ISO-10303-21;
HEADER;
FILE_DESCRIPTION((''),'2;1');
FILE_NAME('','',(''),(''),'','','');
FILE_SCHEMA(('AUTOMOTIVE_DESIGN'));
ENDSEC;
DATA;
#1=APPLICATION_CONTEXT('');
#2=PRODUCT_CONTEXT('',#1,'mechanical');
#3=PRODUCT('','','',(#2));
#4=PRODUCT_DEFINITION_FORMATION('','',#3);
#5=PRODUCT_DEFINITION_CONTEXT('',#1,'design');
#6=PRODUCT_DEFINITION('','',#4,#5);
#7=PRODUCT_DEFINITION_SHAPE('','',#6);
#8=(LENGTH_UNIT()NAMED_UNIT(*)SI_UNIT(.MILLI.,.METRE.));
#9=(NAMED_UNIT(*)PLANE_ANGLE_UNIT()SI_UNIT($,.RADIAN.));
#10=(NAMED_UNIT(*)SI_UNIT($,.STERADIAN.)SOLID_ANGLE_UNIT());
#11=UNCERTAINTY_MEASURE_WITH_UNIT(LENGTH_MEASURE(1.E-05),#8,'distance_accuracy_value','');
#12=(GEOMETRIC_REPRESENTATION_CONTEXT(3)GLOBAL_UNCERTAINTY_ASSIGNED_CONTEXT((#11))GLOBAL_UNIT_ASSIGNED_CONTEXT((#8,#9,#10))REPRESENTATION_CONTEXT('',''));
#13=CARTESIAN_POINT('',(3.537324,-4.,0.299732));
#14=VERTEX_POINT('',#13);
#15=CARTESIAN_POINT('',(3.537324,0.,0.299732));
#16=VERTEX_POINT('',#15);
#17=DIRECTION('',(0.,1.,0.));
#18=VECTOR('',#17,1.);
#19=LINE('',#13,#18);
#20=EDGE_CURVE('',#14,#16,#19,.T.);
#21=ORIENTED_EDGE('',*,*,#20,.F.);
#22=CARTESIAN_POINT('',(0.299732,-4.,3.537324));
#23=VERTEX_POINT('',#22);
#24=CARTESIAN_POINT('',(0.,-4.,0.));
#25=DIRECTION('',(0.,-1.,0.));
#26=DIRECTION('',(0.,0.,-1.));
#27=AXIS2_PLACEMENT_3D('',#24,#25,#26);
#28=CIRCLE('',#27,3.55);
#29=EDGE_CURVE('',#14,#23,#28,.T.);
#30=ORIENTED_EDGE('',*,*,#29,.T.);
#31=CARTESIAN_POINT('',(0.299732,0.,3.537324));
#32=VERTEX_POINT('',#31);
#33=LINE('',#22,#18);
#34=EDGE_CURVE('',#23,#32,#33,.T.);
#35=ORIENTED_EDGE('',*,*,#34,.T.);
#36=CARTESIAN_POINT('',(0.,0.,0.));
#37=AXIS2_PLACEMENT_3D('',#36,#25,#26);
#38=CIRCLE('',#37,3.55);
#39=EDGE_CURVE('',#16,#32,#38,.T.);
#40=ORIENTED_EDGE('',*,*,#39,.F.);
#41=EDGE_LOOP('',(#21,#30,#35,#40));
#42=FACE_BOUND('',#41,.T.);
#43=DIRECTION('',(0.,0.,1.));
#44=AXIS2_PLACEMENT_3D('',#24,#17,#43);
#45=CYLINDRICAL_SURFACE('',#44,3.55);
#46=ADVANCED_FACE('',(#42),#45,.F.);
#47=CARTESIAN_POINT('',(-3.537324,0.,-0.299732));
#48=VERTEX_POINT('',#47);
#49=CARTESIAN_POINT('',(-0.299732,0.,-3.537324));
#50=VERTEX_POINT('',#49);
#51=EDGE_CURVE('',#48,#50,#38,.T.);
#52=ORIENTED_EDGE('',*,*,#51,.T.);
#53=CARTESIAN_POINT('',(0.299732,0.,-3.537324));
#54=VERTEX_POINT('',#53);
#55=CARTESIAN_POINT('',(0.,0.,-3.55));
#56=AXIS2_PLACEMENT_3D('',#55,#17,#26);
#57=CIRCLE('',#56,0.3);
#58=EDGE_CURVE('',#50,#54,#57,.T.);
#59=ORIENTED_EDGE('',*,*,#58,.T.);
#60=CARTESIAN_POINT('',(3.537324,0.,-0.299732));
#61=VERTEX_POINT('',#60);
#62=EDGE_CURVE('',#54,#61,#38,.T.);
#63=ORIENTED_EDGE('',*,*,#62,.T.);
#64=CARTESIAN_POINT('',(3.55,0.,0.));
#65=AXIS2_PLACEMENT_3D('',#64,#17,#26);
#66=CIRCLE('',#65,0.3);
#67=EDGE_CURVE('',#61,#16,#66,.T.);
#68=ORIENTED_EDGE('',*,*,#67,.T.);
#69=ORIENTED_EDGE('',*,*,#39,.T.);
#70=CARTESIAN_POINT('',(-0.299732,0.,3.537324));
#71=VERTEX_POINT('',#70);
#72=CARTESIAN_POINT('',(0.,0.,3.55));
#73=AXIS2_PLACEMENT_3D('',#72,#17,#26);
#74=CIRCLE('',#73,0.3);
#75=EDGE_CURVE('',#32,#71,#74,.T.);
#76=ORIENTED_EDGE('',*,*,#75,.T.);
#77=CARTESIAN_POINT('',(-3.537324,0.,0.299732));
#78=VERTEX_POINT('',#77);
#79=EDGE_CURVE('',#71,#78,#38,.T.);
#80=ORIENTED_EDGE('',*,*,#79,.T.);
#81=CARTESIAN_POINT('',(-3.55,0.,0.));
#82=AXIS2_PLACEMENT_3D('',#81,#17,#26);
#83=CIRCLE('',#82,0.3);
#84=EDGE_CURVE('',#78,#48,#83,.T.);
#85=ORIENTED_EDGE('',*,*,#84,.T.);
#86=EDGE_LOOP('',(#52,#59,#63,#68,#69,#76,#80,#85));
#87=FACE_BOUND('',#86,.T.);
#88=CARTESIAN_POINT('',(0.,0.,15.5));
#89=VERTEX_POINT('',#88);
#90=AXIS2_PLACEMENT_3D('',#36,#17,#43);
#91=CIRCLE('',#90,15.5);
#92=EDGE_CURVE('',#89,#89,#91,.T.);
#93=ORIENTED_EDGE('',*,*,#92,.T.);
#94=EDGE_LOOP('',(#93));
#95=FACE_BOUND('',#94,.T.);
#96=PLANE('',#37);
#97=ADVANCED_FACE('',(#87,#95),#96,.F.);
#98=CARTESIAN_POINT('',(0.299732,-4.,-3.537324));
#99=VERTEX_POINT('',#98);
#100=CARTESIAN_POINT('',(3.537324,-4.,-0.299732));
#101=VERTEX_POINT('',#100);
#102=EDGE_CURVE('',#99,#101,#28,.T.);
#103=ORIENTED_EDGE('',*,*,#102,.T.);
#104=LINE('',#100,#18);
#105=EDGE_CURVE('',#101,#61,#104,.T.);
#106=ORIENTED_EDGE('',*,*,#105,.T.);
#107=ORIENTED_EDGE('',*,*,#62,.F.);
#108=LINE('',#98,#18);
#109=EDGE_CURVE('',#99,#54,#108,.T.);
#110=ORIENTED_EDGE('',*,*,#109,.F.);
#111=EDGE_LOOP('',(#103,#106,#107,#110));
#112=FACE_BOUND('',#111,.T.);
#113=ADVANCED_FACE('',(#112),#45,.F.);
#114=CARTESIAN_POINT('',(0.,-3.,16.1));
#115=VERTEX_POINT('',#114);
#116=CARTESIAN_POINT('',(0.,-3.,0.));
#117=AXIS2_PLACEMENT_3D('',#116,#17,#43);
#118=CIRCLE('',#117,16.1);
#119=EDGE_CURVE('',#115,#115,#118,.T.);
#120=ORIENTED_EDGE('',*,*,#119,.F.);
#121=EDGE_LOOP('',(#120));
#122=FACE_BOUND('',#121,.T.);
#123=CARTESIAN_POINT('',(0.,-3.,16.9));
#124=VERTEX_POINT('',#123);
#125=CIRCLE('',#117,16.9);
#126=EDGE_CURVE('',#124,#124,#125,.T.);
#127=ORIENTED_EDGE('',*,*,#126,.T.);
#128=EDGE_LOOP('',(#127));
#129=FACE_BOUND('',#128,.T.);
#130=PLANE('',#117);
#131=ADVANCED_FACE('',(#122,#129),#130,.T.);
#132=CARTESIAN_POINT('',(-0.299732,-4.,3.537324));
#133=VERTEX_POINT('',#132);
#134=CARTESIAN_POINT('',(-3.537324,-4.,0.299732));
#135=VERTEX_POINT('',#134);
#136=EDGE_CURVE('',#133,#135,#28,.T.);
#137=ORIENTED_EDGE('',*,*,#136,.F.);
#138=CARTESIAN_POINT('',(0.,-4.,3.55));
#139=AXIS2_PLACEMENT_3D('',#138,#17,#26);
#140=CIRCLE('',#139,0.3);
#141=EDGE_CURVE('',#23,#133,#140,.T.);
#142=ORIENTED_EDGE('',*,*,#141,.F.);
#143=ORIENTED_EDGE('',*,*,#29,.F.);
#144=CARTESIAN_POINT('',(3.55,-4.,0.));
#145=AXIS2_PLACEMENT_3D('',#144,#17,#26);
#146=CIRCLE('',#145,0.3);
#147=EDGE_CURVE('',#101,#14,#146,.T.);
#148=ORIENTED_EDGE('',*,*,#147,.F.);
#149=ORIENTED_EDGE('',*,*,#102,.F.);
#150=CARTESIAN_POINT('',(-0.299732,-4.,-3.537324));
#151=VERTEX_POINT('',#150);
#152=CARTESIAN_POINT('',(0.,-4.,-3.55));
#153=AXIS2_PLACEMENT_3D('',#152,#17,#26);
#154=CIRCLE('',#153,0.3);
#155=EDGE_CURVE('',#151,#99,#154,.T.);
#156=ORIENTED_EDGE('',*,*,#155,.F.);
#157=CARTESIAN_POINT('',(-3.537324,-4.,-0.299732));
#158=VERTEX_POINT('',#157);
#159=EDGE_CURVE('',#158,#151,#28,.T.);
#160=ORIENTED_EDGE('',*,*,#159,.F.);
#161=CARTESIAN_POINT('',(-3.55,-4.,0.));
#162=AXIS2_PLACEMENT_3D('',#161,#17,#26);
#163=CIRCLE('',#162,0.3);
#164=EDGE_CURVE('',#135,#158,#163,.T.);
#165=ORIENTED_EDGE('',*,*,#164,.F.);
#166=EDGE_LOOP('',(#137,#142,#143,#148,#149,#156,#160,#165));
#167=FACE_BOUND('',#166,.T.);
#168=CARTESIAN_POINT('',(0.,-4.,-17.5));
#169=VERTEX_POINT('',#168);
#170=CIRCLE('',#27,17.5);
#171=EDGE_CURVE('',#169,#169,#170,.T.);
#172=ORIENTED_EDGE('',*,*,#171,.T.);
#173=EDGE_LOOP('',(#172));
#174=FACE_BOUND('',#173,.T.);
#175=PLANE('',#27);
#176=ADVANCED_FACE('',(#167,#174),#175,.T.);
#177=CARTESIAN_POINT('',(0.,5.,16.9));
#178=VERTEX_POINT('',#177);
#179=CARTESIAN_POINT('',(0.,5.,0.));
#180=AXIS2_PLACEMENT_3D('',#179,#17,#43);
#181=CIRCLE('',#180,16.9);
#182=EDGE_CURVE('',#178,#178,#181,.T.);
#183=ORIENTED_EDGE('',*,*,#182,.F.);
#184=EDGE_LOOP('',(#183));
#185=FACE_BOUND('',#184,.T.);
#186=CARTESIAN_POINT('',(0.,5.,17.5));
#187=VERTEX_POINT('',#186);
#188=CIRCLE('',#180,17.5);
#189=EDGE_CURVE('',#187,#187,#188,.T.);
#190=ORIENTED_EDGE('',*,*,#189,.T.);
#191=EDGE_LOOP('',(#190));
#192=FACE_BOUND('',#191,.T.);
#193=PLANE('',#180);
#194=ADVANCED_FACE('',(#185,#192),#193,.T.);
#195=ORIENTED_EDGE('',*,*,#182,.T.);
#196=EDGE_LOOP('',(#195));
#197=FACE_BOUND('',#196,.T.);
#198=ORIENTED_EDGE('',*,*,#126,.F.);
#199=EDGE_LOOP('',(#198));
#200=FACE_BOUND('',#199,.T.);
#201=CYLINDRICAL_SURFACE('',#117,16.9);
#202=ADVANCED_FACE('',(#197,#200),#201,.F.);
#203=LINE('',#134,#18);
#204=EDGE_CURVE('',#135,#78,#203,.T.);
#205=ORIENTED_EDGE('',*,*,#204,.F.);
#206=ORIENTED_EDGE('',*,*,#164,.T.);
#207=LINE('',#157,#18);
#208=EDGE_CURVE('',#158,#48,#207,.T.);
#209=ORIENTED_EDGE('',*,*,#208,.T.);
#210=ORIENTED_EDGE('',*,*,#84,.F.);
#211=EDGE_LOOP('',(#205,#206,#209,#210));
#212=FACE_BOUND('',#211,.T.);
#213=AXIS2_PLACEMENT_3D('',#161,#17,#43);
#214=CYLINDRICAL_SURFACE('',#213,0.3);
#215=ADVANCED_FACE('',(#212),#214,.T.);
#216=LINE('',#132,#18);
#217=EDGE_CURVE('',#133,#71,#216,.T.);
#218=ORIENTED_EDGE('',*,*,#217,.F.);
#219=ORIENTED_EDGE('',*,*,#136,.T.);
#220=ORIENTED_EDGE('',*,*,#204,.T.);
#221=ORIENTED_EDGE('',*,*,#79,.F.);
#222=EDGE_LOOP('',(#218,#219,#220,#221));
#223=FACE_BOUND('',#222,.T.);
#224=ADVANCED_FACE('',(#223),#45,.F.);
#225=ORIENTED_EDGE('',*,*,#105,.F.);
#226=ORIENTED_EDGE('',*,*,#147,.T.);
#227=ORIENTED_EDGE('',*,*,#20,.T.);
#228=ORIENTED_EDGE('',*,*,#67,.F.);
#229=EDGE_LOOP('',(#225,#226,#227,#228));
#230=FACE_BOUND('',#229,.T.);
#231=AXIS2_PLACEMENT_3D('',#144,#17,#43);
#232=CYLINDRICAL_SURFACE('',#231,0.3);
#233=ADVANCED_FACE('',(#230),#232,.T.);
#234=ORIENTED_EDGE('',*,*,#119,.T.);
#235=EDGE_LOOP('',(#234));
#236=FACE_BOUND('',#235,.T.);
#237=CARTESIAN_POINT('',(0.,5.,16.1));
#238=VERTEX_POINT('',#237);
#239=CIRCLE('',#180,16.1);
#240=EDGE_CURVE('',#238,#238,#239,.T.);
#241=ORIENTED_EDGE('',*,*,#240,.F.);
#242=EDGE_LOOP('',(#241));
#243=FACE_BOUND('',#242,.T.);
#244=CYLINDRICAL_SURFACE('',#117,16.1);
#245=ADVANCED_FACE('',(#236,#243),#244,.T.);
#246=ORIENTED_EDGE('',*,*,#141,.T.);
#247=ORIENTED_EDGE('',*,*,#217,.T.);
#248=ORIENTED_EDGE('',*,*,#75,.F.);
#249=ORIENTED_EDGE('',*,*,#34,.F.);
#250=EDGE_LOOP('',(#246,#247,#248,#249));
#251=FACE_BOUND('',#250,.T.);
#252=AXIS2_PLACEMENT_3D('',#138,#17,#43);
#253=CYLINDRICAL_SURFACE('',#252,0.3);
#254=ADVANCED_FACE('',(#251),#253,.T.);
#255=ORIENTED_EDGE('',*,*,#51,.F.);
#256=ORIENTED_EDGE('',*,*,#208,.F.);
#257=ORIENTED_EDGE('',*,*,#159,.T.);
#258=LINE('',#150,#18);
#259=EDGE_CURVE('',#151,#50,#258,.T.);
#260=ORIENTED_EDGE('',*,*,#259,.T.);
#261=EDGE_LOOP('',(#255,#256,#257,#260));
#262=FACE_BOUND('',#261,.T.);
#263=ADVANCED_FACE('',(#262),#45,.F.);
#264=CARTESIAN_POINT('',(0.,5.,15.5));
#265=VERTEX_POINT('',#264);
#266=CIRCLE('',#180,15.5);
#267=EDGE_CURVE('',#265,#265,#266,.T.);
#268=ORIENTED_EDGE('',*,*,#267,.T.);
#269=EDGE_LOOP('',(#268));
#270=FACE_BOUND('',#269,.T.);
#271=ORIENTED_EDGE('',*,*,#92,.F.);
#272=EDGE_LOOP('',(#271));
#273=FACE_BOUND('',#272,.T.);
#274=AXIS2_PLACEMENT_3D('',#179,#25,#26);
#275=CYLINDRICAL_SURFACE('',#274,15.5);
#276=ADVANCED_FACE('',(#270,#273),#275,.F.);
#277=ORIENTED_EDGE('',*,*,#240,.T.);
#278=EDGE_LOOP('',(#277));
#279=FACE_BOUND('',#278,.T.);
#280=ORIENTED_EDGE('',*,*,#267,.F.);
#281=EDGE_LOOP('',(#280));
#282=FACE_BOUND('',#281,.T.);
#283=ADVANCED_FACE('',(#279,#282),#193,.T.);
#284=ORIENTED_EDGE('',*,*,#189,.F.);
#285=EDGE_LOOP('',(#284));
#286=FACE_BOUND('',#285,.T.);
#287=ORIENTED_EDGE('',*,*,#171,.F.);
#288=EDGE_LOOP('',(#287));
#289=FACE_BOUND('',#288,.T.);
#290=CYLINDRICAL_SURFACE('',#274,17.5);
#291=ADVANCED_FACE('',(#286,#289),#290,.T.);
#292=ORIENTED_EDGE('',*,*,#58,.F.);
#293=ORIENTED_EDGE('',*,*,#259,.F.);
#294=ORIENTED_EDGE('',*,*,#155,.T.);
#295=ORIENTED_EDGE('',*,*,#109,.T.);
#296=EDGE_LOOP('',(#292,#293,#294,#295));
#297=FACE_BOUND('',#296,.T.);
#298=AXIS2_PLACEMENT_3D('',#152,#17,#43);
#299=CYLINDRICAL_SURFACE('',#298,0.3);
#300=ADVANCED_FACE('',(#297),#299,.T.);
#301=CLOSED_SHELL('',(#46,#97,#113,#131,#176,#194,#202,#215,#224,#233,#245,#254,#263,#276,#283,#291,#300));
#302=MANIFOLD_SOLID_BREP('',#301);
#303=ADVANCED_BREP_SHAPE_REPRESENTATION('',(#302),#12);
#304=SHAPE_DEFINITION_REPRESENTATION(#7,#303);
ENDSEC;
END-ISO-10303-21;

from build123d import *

# Parameters (mm, degrees)
SKETCH1_R           = 17.5
SKETCH1_R_2         = 15.5
BOSS_EXTRUDE1_DEPTH = 5
SKETCH3_R           = 17.5
BOSS_EXTRUDE2_DEPTH = 4
SKETCH2_R           = 16.9
SKETCH2_R_2         = 16.1
CUT_EXTRUDE1_DEPTH  = 8


with BuildPart() as part:
    # Sketch1 → Boss-Extrude1 (new body)
    with BuildSketch(Plane(origin=(0, 0, 0), x_dir=(1, 0, 0), z_dir=(0, 1, 0))):
        Circle(SKETCH1_R)
        Circle(SKETCH1_R_2, mode=Mode.SUBTRACT)
    extrude(amount=BOSS_EXTRUDE1_DEPTH)

    # Sketch3 → Boss-Extrude2 (add)
    with BuildSketch(Plane.XZ):
        Circle(SKETCH3_R)
        with BuildLine():
            ThreePointArc((-0.299732076, 3.537323944), (-2.510229073, 2.510229073), (-3.537323944, 0.299732076))
            ThreePointArc((-3.537323944, 0.299732076), (-3.25, 0), (-3.537323944, -0.299732076))
            ThreePointArc((-3.537323944, -0.299732076), (-2.510229073, -2.510229073), (-0.299732076, -3.537323944))
            ThreePointArc((-0.299732076, -3.537323944), (0, -3.25), (0.299732076, -3.537323944))
            ThreePointArc((0.299732076, -3.537323944), (2.510229073, -2.510229073), (3.537323944, -0.299732076))
            ThreePointArc((3.537323944, -0.299732076), (3.25, 0), (3.537323944, 0.299732076))
            ThreePointArc((3.537323944, 0.299732076), (2.510229073, 2.510229073), (0.299732076, 3.537323944))
            ThreePointArc((0.299732076, 3.537323944), (0, 3.25), (-0.299732076, 3.537323944))
        make_face(mode=Mode.SUBTRACT)
    extrude(amount=BOSS_EXTRUDE2_DEPTH)

    # Sketch2 → Cut-Extrude1 (cut)
    with BuildSketch(Plane(origin=(0, 5, 0), x_dir=(1, 0, 0), z_dir=(0, 1, 0))):
        Circle(SKETCH2_R)
        Circle(SKETCH2_R_2, mode=Mode.SUBTRACT)
    extrude(amount=-CUT_EXTRUDE1_DEPTH, mode=Mode.SUBTRACT)


solid = part.part
